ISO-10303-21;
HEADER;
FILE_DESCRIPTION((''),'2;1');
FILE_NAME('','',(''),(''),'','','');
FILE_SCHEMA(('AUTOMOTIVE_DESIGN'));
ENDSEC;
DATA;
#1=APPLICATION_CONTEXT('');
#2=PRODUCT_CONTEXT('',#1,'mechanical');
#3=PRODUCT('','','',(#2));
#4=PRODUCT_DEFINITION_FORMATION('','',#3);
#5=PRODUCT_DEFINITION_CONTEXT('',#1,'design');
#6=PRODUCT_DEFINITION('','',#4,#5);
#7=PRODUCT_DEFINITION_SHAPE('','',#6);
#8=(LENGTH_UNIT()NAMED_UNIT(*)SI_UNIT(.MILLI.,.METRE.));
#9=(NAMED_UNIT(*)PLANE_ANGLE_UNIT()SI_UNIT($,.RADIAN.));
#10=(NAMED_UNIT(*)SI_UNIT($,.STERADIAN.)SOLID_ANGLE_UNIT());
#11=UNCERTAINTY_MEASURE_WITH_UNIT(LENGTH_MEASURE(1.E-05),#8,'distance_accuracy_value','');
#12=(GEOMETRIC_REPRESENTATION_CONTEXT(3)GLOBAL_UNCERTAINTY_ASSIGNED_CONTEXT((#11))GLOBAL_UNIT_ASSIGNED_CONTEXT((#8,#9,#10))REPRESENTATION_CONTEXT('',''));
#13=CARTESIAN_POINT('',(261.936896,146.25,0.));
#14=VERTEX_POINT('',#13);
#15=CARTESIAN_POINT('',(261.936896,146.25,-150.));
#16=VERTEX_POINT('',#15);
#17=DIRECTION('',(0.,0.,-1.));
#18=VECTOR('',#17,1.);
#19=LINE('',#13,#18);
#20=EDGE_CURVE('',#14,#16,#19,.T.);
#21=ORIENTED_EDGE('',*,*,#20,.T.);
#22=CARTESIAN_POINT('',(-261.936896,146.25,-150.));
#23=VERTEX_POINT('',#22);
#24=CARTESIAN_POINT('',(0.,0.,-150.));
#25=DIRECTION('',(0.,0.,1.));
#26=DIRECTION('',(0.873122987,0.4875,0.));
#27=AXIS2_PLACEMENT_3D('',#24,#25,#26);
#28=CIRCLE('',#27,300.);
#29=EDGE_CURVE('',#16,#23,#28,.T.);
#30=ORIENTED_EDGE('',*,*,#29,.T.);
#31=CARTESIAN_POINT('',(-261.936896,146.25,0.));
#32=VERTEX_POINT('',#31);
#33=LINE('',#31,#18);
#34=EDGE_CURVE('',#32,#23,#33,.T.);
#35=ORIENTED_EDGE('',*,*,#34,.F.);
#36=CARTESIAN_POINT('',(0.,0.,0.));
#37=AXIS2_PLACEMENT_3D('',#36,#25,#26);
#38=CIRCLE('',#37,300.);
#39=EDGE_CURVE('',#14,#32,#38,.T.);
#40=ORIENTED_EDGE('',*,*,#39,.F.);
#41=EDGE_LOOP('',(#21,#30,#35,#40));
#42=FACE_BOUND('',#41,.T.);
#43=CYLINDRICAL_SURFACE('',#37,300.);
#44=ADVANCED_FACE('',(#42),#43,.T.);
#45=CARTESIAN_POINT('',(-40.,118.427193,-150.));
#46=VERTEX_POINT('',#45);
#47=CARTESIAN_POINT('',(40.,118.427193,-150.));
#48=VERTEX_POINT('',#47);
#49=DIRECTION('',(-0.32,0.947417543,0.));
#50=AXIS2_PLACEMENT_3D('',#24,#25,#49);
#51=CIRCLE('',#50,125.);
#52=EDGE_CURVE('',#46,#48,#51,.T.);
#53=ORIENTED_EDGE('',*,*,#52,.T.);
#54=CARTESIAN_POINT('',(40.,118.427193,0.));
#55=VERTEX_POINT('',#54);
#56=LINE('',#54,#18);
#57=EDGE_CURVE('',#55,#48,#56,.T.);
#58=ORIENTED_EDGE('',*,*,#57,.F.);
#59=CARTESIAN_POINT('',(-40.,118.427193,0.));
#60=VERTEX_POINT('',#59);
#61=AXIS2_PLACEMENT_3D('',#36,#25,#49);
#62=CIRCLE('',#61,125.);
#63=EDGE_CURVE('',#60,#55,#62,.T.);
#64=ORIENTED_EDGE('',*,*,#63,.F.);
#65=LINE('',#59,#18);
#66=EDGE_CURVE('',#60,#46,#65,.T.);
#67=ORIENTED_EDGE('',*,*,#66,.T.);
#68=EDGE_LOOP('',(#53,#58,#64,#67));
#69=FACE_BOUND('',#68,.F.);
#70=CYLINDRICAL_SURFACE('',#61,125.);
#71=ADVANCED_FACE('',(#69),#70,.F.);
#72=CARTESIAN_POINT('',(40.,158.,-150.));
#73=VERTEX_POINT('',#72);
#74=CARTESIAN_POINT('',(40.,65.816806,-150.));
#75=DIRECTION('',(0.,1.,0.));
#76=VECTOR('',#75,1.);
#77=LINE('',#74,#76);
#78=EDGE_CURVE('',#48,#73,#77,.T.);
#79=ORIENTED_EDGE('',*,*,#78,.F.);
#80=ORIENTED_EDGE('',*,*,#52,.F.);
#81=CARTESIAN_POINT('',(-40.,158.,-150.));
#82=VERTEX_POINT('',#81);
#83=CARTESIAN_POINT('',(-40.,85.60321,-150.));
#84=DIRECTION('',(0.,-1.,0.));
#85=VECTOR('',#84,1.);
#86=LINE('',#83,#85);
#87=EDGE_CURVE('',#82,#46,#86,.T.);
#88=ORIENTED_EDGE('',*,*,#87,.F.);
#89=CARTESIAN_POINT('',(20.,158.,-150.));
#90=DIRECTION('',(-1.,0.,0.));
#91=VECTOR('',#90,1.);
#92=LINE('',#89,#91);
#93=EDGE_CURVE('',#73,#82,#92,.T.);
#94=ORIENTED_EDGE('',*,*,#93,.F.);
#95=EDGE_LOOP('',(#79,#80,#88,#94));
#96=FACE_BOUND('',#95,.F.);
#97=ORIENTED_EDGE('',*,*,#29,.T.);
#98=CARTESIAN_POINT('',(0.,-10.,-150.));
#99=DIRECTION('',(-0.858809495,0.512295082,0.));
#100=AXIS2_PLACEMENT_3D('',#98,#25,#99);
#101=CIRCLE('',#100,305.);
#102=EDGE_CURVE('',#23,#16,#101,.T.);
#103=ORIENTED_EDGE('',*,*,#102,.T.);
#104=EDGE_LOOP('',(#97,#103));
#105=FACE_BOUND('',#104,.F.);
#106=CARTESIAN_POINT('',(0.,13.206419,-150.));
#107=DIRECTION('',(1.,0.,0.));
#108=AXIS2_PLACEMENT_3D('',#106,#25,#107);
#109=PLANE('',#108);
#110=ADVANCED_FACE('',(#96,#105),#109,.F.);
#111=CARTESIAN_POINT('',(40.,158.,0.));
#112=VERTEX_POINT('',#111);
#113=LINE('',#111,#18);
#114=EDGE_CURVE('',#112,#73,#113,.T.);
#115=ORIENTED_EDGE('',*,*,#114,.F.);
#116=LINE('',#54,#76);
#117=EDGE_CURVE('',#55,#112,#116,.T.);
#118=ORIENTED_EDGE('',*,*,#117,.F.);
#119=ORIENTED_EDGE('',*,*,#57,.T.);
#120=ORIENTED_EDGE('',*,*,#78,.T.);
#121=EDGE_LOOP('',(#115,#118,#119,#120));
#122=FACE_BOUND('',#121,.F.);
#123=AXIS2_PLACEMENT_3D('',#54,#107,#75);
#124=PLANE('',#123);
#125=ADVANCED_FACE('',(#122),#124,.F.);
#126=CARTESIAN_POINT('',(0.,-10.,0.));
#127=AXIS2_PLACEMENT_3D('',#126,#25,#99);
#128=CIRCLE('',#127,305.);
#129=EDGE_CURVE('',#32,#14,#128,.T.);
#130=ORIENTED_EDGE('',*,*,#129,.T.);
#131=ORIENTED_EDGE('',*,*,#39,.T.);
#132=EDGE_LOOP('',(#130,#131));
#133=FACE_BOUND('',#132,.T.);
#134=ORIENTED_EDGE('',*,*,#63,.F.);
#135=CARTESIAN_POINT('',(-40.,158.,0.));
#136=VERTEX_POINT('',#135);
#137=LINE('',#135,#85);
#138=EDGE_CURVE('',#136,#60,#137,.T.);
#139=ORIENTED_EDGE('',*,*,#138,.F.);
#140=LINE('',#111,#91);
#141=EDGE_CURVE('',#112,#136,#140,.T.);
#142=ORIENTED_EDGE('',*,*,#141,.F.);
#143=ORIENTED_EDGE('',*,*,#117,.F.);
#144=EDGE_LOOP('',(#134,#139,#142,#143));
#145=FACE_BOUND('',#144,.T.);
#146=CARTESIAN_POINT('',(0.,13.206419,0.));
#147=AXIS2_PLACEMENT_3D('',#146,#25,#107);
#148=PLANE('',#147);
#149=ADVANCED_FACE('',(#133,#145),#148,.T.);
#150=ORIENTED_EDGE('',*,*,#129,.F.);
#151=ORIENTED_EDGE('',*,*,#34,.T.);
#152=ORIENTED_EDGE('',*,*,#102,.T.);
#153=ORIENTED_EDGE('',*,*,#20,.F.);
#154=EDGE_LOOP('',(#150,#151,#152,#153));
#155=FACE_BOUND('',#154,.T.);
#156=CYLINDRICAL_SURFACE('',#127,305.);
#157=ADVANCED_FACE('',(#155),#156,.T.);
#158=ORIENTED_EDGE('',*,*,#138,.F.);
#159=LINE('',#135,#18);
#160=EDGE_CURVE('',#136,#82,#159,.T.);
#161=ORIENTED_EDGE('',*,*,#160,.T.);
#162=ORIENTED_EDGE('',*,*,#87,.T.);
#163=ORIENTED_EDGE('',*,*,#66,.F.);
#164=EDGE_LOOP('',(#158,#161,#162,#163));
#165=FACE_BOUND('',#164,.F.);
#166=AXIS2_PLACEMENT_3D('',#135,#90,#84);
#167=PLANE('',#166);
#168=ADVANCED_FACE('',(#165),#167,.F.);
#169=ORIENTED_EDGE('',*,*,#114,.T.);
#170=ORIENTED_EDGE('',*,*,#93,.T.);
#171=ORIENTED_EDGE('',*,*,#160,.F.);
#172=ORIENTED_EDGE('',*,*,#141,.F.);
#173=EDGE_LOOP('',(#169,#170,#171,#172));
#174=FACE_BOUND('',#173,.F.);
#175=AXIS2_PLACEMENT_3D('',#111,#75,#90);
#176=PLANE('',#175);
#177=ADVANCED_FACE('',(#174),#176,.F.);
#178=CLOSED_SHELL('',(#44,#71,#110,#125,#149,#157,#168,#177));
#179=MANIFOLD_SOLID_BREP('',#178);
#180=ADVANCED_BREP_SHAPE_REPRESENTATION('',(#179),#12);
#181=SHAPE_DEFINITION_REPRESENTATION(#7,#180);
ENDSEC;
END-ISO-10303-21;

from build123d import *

# Parameters (mm, degrees)
F1_DEPTH = 150
F3_DEPTH = 264.16


with BuildPart() as f1:
    # F0 (on Top) → F1 (new body)
    with BuildSketch(Plane.XY):
        with BuildLine():
            ThreePointArc((-261.9368960265, 146.25), (-75.5610057902, -290.3283217393), (300, 0))
            ThreePointArc((300, 0), (290.3283217393, 75.5610057902), (261.9368960265, 146.25))
            ThreePointArc((261.9368960265, 146.25), (0, 295), (-261.9368960265, 146.25))
        make_face()
        with BuildLine():
            ThreePointArc((261.9368960265, 146.25), (290.3283217393, 75.5610057902), (300, 0))
            ThreePointArc((300, 0), (-75.5610057902, -290.3283217393), (-261.9368960265, 146.25))
            ThreePointArc((-261.9368960265, 146.25), (-81.0377896784, -304.0372028231), (305, -10))
            ThreePointArc((305, -10), (294.0372028231, 71.0377896784), (261.9368960265, 146.25))
        make_face()
        with BuildLine():
            ThreePointArc((-261.9368960265, 146.25), (0, 295), (261.9368960265, 146.25))
            ThreePointArc((261.9368960265, 146.25), (0, 300), (-261.9368960265, 146.25))
        make_face()
    extrude(amount=-F1_DEPTH)

    # F2 (on Top) → F3 (cut)
    with BuildSketch(Plane.XY):
        with BuildLine():
            ThreePointArc((-40, 118.4271928233), (-72.8868986856, -101.5504800579), (125, 0))
            ThreePointArc((125, 0), (101.5504800579, 72.8868986856), (40, 118.4271928233))
            Line((40, 118.4271928233), (40, 0))
            Line((40, 0), (-40, 0))
            Line((-40, 0), (-40, 118.4271928233))
        make_face()
        with BuildLine():
            Line((40, 0), (40, 118.4271928233))
            ThreePointArc((40, 118.4271928233), (0, 125), (-40, 118.4271928233))
            Line((-40, 118.4271928233), (-40, 0))
            Line((-40, 0), (40, 0))
        make_face()
        with BuildLine():
            ThreePointArc((-40, 118.4271928233), (0, 125), (40, 118.4271928233))
            Line((40, 118.4271928233), (40, 158))
            Line((40, 158), (-40, 158))
            Line((-40, 158), (-40, 118.4271928233))
        make_face()
    extrude(amount=-F3_DEPTH, mode=Mode.SUBTRACT)


solid = f1.part
